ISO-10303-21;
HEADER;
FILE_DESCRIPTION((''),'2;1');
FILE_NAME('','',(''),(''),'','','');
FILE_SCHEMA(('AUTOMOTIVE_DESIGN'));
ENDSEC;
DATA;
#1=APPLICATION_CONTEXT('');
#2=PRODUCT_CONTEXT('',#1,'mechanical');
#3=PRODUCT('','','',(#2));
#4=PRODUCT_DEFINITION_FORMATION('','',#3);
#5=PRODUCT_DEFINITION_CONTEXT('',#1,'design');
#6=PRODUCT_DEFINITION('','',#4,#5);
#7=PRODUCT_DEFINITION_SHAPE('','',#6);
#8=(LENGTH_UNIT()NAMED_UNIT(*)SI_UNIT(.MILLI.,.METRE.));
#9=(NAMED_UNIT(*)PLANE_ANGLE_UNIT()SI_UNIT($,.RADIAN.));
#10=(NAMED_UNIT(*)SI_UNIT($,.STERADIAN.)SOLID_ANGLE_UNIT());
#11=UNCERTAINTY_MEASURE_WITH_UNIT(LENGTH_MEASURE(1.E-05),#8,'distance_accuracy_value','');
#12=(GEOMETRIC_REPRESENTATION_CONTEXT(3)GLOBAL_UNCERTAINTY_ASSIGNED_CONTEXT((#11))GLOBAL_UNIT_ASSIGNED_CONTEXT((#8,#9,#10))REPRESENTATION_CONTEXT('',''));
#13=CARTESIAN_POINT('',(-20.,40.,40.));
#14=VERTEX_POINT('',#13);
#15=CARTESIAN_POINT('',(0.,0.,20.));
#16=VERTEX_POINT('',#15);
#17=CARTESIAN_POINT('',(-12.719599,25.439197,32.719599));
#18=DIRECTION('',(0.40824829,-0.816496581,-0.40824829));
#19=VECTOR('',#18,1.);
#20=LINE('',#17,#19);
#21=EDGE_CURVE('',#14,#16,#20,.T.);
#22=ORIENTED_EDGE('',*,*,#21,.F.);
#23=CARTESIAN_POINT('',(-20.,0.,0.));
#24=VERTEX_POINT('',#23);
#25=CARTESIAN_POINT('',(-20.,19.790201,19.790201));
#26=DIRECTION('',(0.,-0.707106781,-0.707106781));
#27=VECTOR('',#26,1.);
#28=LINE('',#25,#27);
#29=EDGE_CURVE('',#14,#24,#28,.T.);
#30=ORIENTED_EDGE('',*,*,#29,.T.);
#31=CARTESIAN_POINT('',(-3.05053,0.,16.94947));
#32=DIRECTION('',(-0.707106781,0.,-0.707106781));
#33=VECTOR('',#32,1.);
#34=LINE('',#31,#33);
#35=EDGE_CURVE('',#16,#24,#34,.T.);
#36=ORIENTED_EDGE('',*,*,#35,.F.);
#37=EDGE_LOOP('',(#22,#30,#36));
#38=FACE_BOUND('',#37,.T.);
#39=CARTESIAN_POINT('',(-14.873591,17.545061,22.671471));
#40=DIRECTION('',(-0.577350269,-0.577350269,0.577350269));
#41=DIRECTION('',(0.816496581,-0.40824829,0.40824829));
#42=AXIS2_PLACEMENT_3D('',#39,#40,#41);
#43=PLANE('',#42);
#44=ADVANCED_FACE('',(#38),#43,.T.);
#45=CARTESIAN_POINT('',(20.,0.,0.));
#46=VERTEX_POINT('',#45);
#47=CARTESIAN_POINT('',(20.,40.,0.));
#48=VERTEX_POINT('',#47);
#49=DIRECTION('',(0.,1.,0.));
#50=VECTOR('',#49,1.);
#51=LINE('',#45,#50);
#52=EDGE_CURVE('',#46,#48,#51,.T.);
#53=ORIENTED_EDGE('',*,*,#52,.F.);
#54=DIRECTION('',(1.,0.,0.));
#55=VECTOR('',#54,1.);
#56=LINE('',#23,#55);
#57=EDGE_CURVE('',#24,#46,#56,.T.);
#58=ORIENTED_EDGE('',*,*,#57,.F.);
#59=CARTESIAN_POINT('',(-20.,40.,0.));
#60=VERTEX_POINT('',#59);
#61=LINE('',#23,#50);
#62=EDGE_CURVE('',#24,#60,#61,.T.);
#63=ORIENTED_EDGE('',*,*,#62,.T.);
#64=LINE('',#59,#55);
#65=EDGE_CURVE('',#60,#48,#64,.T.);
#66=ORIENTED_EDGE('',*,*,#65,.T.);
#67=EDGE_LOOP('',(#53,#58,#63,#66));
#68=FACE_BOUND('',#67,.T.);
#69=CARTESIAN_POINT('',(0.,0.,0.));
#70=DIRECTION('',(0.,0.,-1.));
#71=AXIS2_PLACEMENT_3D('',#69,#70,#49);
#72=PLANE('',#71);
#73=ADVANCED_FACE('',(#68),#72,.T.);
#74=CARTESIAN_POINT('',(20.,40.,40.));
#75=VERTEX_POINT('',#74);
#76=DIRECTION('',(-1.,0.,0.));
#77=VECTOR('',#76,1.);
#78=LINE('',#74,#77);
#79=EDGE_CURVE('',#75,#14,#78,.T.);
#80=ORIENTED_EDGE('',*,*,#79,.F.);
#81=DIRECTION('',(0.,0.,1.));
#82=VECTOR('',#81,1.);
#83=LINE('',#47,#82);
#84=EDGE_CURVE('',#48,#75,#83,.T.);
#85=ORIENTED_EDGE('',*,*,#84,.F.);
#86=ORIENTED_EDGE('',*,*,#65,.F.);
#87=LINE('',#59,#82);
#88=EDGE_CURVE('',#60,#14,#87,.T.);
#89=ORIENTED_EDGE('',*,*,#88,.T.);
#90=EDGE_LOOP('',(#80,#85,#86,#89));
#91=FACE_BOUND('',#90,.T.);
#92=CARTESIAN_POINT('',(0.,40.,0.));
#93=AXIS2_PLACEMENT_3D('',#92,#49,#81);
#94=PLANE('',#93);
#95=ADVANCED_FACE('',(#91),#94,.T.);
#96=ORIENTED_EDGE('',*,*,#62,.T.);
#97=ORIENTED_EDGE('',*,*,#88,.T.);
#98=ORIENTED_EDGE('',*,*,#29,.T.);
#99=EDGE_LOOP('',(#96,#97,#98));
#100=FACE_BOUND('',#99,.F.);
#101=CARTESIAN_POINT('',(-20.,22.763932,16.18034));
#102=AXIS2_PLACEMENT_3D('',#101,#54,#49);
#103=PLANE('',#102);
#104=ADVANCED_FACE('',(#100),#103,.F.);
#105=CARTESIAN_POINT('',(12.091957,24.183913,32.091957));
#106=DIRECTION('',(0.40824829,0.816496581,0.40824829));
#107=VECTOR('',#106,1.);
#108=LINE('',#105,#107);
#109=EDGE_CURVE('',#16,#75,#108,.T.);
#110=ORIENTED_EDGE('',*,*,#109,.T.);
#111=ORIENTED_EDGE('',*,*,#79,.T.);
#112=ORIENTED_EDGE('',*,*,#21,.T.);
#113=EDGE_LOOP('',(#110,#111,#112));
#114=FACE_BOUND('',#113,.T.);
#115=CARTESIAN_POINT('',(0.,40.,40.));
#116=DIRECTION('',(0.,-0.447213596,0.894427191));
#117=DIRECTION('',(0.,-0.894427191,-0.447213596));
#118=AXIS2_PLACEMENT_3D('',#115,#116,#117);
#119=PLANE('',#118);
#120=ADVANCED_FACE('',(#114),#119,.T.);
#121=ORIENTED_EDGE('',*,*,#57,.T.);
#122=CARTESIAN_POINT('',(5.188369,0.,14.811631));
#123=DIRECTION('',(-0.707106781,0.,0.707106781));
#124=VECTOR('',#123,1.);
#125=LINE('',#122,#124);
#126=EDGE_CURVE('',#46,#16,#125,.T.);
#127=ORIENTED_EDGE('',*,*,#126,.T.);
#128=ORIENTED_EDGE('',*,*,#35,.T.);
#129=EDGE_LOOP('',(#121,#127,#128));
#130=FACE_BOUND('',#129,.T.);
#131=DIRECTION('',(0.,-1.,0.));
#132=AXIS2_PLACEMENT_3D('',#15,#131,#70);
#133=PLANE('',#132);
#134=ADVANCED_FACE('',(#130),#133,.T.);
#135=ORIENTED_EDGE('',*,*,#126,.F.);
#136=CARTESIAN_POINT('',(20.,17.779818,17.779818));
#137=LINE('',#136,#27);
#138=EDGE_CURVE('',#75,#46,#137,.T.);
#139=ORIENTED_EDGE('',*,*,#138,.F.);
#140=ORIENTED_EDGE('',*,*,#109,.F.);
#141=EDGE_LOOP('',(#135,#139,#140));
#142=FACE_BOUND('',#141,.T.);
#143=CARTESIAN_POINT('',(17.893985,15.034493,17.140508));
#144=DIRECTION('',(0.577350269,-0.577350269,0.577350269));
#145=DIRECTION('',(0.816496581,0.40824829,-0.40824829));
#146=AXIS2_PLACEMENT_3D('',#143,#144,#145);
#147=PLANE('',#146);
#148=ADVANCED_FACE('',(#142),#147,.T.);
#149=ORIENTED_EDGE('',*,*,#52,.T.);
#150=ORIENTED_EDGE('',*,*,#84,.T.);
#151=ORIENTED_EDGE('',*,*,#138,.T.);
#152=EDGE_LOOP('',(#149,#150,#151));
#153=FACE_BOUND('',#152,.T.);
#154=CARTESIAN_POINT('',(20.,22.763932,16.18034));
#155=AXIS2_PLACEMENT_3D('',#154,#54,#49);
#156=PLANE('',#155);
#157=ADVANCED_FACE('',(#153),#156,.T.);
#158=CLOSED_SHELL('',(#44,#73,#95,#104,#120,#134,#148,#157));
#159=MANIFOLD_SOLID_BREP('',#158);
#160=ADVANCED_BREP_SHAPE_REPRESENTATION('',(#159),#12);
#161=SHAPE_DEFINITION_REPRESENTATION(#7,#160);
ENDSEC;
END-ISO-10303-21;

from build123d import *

# Parameters (mm, degrees)
F1_DEPTH = 20
F4_W     = 74.543075636
F4_H     = 79.5415919274
F5_DEPTH = 23.0950107676
F7_W     = 62.1554479003
F7_H     = 78.672291711
F8_DEPTH = 25


with BuildPart() as f1:
    # F0 (on Right) → F1 (new body, symmetric)
    with BuildSketch(Plane.YZ):
        Polygon((0, 20), (0, 0), (40, 0), (40, 40), align=None)
    extrude(amount=F1_DEPTH, both=True)

    # F4 (on 3pt) → F5 (cut, through all)
    with BuildSketch(Plane(origin=(6.6666666667, -6.6666666667, 6.6666666667), x_dir=(0.8164965809, 0.4082482905, -0.4082482905), z_dir=(0.5773502692, -0.5773502692, 0.5773502692))):
        with Locations((13.7506006286, 22.7511608973)):
            Rectangle(F4_W, F4_H)
    extrude(amount=F5_DEPTH, mode=Mode.SUBTRACT)

    # F7 (on 3pt) → F8 (cut)
    with BuildSketch(Plane(origin=(-6.6666666667, -6.6666666667, 6.6666666667), x_dir=(0.8164965809, -0.4082482905, 0.4082482905), z_dir=(-0.5773502692, -0.5773502692, 0.5773502692))):
        with Locations((-10.0513882935, 28.4373825416)):
            Rectangle(F7_W, F7_H)
    extrude(amount=F8_DEPTH, mode=Mode.SUBTRACT)


solid = f1.part
